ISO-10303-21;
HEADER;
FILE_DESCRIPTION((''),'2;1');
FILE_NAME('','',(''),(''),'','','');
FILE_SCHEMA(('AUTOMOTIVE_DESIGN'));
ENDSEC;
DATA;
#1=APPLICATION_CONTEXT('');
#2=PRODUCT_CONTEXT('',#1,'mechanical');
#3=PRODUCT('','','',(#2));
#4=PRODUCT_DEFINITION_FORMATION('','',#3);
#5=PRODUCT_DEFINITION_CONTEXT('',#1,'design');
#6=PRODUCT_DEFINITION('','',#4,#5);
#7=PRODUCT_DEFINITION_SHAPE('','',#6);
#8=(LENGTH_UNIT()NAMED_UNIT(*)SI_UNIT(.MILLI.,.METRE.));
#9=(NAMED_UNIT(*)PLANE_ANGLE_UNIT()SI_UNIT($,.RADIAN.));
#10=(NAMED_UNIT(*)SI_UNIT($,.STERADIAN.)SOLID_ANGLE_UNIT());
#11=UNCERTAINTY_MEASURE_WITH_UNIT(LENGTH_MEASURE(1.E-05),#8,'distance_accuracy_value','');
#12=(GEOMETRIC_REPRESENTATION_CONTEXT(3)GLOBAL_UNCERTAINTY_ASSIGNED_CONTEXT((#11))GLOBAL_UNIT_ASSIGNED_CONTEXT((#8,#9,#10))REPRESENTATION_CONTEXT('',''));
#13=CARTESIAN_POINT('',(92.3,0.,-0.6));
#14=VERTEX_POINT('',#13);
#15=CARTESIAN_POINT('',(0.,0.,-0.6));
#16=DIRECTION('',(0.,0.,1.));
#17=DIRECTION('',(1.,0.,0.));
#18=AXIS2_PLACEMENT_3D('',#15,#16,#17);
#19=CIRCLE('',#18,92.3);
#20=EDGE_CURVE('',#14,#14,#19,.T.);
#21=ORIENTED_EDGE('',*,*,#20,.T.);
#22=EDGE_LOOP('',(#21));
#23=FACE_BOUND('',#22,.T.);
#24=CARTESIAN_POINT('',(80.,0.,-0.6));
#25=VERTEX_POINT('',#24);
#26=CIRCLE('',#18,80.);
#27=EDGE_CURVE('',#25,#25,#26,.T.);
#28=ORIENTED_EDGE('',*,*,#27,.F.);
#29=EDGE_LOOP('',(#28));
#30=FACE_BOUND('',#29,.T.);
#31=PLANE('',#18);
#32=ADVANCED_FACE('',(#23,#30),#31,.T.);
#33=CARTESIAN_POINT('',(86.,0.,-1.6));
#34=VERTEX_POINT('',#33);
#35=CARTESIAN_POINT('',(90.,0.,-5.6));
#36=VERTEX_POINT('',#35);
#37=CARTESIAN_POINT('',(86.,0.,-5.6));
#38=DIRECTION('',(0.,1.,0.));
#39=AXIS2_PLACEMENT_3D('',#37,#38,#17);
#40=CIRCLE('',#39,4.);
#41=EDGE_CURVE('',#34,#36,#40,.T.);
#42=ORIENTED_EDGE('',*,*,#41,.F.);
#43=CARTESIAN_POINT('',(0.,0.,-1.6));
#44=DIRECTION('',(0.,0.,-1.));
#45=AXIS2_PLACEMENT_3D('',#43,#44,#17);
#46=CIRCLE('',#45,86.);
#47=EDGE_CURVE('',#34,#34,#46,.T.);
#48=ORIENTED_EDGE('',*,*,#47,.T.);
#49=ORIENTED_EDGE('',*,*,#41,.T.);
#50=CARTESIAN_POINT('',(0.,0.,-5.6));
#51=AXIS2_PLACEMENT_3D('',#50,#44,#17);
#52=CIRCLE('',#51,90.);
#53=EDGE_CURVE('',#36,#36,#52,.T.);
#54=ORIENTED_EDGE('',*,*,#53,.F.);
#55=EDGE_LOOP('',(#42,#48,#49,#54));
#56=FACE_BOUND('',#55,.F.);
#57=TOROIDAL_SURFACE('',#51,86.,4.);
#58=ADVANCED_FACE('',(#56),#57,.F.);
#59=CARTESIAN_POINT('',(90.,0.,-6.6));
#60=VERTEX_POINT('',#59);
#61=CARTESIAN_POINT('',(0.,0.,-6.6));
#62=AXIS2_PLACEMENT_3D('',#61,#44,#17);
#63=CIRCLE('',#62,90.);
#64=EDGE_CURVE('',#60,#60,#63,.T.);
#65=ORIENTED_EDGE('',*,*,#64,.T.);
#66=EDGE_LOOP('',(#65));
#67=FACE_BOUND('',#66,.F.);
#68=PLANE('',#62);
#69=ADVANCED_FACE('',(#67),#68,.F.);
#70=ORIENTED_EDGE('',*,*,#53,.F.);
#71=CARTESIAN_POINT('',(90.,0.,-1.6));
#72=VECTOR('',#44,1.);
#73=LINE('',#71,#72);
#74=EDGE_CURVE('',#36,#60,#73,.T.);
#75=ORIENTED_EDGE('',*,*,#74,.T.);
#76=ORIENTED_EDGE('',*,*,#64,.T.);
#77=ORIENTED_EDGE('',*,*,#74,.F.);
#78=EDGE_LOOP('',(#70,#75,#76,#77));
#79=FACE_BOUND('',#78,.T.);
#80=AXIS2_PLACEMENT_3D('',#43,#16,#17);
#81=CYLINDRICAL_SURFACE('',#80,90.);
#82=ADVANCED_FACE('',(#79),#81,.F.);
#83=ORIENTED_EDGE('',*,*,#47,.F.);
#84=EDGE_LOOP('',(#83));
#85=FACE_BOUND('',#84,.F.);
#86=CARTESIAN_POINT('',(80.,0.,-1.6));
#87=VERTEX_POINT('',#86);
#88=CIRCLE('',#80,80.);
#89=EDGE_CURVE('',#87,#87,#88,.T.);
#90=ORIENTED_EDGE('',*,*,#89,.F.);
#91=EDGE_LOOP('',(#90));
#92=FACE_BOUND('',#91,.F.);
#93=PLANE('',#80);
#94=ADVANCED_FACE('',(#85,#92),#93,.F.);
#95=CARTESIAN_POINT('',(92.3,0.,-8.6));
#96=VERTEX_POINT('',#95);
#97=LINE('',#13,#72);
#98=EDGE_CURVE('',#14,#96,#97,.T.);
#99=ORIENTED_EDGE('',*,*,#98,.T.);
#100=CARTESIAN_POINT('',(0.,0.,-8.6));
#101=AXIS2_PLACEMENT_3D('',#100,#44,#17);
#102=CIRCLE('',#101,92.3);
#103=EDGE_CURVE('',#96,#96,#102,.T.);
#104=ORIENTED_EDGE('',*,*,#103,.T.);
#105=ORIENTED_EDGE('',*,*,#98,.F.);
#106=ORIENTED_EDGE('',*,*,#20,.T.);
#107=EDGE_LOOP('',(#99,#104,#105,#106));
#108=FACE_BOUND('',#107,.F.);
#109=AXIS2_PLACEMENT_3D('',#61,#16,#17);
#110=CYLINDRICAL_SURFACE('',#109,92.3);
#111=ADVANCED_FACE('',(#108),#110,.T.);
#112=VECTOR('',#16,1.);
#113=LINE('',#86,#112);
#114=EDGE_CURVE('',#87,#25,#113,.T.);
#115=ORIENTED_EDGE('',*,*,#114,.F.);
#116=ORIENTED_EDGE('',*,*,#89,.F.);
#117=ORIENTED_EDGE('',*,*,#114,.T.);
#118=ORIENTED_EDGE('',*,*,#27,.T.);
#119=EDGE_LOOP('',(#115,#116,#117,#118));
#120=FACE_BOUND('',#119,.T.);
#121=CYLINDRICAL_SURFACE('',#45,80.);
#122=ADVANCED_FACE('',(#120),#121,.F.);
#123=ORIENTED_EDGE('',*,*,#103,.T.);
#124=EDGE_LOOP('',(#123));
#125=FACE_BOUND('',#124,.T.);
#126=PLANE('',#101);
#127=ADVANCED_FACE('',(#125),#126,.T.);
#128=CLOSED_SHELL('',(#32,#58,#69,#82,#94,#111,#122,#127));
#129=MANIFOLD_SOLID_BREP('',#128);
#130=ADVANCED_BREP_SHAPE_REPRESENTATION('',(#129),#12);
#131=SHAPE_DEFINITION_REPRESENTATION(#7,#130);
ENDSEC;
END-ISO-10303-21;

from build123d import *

# Parameters (mm, degrees)
SKETCH040_R   = 92.3
SKETCH040_R_2 = 80
PAD025_DEPTH  = 1
SKETCH041_R   = 92.3
SKETCH041_R_2 = 90
PAD026_DEPTH  = 5
FILLET_R      = 4
SKETCH042_R   = 92.3
PAD027_DEPTH  = 2


with BuildPart() as part:
    # Sketch040 → Pad025 (new body)
    with BuildSketch(Plane.XY):
        Circle(SKETCH040_R)
        Circle(SKETCH040_R_2, mode=Mode.SUBTRACT)
    extrude(amount=PAD025_DEPTH)

    # Sketch041 (on Face3 of Pad025) → Pad026 (join)
    with BuildSketch(Plane(origin=(0, 0, 0), x_dir=(1, 0, 0), z_dir=(0, 0, -1))):
        Circle(SKETCH041_R)
        Circle(SKETCH041_R_2, mode=Mode.SUBTRACT)
    extrude(amount=PAD026_DEPTH)

    # Fillet
    fillet_edges = [part.edges().sort_by_distance(p)[0] for p in [
        (-90, 0, 0),
    ]]
    fillet(fillet_edges, radius=FILLET_R)

    # Sketch042 (on Face3 of Fillet) → Pad027 (join)
    with BuildSketch(Plane(origin=(0, 0, -5), x_dir=(1, 0, 0), z_dir=(0, 0, -1))):
        Circle(SKETCH042_R)
    extrude(amount=PAD027_DEPTH)


with BuildPart() as part_1:
    # Body025 placement: moved
    add(part.part.moved(Location((0, 0, -1.6))))


solid = part_1.part
